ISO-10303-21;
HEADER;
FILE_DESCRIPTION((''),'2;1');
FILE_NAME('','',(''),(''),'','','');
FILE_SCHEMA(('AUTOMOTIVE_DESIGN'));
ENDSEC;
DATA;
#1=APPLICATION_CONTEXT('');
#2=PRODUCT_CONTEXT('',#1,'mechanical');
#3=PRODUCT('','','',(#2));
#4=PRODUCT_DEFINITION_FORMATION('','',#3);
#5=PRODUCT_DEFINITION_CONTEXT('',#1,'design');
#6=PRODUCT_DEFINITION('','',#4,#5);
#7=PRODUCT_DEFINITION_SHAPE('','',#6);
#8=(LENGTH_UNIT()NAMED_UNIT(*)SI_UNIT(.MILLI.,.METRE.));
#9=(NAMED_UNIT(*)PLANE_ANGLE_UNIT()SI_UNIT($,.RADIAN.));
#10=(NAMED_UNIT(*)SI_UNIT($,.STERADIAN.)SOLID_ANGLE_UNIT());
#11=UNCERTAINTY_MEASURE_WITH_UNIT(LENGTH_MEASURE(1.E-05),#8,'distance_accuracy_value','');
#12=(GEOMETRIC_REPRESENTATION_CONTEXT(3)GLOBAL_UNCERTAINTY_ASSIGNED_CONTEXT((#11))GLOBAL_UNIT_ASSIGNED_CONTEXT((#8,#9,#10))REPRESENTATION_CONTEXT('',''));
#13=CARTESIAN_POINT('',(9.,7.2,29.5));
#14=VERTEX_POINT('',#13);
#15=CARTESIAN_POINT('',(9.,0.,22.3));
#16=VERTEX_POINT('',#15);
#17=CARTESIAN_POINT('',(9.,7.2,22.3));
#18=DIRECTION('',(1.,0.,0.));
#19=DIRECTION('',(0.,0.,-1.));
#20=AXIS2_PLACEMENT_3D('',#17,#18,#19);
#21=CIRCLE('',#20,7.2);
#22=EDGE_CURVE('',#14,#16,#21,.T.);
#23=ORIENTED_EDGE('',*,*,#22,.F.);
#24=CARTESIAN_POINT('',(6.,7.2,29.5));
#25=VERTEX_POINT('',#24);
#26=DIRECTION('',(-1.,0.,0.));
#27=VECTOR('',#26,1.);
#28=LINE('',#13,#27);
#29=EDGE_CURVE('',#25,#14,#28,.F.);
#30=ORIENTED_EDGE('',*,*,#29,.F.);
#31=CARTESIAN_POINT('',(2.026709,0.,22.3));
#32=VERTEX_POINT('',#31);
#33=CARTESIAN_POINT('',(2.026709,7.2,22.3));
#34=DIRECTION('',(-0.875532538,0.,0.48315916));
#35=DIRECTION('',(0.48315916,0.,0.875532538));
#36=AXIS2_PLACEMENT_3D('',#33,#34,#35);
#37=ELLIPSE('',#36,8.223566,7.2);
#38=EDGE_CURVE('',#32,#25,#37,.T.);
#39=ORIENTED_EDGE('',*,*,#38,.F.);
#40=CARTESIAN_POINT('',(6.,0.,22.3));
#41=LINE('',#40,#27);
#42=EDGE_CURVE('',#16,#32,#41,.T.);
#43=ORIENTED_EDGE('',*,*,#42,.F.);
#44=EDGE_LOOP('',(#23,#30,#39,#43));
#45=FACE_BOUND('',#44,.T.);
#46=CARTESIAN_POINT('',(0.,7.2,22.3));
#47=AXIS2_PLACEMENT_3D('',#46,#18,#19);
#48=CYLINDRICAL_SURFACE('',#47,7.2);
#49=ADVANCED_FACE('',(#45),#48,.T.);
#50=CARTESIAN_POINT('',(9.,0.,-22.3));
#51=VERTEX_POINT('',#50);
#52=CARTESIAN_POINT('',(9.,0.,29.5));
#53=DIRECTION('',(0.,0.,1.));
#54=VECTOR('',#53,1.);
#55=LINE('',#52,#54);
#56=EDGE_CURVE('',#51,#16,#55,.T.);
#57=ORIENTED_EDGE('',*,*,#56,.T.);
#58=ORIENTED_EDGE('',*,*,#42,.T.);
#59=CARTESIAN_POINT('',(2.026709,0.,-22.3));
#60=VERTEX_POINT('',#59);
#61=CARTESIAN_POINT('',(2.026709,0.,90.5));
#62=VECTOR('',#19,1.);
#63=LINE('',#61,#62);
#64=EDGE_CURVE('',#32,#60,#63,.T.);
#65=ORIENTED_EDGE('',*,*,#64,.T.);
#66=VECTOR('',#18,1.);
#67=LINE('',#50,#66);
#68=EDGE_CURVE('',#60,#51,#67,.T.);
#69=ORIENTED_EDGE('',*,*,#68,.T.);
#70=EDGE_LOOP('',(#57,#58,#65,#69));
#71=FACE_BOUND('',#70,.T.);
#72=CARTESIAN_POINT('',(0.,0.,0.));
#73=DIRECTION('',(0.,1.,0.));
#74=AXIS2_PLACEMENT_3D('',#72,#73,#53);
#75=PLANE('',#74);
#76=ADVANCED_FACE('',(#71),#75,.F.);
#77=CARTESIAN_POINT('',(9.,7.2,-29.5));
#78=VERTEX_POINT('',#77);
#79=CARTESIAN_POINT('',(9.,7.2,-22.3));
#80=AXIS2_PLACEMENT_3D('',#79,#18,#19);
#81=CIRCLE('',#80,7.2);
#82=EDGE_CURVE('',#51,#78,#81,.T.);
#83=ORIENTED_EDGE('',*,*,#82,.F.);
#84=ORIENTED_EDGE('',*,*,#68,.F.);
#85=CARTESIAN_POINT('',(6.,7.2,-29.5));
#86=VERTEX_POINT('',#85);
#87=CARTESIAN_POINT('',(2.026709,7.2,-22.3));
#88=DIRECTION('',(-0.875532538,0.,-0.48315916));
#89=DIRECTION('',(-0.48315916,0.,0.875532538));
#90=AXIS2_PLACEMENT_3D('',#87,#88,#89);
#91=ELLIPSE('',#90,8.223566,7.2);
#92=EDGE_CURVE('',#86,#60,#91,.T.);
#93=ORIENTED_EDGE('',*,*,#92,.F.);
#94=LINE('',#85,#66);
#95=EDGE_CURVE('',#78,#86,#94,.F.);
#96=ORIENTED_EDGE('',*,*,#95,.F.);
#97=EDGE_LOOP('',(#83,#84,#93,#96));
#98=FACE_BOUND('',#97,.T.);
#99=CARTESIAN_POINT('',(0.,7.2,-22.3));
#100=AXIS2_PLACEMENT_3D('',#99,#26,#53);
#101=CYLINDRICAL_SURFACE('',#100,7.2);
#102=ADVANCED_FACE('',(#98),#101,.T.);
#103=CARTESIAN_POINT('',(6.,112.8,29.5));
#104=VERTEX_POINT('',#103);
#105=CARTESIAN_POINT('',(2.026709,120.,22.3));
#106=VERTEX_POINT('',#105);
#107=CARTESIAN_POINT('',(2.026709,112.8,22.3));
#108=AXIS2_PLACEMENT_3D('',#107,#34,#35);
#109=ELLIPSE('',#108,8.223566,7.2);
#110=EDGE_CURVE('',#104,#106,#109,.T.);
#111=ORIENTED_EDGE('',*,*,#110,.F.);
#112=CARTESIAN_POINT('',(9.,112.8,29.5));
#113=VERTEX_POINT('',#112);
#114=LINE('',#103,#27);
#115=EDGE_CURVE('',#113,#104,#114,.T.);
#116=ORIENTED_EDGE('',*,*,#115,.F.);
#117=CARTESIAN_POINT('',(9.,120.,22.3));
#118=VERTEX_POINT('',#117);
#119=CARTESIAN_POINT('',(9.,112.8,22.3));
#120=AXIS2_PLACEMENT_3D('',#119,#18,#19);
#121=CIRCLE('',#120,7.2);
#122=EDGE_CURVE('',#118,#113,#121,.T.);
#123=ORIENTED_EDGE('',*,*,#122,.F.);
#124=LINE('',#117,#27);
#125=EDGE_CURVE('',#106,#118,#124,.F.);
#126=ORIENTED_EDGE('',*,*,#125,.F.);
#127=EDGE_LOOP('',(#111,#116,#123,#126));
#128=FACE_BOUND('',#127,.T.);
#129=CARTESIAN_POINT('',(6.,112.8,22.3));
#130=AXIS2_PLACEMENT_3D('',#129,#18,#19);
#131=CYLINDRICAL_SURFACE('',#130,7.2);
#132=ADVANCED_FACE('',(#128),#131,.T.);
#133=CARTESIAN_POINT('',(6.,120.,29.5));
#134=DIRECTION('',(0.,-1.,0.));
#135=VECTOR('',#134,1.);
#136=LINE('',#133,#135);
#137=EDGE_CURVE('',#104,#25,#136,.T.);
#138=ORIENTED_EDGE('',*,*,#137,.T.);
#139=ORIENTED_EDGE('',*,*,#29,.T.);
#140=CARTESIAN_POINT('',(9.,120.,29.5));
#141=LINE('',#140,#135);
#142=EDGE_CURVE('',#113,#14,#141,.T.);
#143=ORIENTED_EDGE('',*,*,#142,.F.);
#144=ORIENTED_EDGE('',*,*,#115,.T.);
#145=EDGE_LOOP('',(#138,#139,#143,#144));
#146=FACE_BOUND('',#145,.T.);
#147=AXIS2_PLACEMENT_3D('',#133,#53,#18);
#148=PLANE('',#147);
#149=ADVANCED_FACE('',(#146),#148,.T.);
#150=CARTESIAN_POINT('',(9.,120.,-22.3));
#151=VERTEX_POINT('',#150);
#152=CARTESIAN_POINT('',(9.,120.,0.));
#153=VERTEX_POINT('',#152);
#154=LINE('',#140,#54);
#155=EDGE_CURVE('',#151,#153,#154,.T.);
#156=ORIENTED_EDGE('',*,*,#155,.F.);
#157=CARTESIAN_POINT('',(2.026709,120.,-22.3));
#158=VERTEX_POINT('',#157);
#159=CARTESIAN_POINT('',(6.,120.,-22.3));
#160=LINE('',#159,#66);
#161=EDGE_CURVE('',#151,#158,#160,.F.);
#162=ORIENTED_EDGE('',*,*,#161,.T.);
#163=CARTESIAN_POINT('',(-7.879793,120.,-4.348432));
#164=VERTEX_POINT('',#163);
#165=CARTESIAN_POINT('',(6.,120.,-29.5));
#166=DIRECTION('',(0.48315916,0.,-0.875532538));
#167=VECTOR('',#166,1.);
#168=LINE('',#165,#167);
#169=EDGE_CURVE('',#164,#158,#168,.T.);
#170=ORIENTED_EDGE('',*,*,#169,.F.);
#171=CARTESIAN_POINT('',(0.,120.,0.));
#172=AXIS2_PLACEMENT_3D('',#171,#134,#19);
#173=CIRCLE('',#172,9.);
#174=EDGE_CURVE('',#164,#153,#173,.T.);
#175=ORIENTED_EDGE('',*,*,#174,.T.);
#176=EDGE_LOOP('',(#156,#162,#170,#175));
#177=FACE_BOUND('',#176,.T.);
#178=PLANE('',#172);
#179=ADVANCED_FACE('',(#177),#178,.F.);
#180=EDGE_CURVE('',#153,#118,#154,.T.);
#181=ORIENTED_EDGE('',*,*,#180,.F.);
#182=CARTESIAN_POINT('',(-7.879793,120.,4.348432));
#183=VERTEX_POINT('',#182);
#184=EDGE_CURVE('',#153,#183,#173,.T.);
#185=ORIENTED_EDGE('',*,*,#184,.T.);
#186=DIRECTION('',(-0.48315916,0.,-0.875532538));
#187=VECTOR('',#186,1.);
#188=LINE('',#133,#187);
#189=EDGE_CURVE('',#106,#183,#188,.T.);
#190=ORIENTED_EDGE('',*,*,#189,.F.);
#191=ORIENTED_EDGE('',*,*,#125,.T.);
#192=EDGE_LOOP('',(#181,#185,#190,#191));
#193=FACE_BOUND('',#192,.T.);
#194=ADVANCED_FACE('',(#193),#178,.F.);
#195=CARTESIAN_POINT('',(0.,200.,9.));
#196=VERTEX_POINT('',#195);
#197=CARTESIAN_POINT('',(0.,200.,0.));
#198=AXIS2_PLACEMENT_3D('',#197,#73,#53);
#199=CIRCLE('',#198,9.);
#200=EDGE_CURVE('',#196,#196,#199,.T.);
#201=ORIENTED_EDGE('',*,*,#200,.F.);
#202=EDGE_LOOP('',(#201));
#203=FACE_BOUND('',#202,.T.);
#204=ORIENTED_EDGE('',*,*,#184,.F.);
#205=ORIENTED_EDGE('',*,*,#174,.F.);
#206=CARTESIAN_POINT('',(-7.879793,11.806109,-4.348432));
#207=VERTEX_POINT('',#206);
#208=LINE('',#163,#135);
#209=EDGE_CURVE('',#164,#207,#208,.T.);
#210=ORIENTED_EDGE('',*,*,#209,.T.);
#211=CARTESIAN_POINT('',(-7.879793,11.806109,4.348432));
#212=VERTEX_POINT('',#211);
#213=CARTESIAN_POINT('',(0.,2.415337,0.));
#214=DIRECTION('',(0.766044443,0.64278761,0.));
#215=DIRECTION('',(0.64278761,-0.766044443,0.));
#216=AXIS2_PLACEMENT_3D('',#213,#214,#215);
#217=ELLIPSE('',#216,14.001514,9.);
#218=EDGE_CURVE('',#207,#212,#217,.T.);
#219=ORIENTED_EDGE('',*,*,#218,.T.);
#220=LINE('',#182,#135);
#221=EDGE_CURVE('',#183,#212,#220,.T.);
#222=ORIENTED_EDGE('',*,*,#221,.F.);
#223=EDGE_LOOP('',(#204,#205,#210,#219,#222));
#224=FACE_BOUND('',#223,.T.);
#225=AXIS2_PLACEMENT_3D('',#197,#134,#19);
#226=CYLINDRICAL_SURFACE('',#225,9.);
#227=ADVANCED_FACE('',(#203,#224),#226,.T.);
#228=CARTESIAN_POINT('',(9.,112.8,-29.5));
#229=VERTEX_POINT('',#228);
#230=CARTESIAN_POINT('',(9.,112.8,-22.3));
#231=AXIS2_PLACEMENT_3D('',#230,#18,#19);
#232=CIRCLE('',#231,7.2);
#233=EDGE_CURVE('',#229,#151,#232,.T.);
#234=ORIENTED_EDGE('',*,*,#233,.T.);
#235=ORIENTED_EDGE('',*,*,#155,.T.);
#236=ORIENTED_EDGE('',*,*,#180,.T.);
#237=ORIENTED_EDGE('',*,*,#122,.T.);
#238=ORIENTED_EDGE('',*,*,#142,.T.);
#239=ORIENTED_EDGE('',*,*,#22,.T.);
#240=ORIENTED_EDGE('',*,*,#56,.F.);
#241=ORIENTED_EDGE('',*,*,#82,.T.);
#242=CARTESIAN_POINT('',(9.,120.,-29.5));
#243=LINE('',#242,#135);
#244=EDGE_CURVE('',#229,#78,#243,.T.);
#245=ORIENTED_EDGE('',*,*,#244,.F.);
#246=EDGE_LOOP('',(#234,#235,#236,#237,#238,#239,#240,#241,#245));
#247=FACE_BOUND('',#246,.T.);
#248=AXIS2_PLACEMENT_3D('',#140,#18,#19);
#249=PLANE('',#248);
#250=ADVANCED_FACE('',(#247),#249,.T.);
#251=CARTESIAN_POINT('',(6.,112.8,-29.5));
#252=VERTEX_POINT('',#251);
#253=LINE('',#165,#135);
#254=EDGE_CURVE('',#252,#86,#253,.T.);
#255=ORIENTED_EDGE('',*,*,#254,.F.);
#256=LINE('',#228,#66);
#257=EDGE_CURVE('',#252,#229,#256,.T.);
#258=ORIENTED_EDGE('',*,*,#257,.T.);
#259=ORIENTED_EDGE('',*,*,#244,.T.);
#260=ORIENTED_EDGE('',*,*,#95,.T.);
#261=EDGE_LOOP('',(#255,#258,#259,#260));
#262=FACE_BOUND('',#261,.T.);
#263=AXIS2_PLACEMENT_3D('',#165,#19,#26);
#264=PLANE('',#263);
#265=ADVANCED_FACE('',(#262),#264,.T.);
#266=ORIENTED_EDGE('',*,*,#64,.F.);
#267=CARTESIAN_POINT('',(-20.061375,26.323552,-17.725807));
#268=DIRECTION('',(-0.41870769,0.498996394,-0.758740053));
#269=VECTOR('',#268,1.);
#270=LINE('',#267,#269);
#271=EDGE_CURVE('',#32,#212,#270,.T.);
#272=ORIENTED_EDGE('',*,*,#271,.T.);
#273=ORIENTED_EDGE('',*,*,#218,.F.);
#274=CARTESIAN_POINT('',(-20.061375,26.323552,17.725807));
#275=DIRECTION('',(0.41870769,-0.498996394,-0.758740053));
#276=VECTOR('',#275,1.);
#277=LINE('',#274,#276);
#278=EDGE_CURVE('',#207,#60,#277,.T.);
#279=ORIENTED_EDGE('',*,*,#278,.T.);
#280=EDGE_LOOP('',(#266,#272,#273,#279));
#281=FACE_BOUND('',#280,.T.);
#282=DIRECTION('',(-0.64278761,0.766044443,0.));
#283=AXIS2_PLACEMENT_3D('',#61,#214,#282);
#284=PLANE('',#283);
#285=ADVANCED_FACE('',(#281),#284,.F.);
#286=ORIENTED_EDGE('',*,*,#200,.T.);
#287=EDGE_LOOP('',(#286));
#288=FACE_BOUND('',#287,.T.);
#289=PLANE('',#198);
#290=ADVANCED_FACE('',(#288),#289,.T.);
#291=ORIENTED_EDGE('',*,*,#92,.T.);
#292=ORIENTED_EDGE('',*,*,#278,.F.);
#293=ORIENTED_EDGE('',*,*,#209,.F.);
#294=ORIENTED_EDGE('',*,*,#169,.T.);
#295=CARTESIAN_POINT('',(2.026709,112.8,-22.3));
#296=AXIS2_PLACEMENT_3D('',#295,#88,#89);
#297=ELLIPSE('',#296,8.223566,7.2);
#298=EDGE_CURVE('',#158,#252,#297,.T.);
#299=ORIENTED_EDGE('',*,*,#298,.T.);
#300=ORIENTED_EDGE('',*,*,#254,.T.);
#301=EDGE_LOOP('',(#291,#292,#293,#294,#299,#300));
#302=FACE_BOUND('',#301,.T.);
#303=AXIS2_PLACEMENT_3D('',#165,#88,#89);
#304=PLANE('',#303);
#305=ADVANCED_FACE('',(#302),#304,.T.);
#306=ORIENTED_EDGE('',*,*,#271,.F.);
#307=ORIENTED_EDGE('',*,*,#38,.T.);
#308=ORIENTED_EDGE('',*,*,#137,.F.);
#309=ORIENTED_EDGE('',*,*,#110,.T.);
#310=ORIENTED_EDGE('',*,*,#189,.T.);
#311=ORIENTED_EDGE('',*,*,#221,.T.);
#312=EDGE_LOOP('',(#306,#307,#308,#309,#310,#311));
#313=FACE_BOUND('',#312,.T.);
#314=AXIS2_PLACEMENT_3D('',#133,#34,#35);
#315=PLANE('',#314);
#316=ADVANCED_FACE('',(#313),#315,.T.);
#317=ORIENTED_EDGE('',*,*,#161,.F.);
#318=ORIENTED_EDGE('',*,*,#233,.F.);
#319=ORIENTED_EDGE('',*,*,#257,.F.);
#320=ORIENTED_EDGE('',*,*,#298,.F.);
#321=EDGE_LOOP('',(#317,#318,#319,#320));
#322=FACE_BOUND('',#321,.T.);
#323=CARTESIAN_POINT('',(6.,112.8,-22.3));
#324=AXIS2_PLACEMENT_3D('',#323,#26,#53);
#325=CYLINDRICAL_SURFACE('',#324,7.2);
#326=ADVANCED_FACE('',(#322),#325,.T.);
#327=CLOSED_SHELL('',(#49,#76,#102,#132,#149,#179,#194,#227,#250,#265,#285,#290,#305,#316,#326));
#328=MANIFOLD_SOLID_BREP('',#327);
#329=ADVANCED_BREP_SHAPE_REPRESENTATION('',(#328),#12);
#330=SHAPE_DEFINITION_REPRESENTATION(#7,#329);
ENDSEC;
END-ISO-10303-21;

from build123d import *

# Parameters (mm, degrees)
CROQUIS1_R              = 9
SALIENTE_EXTRUIR1_DEPTH = 200
SALIENTE_EXTRUIR2_DEPTH = 120
REDONDEO1_R             = 7.2
CORTAR_EXTRUIR1_DEPTH   = 120


with BuildPart() as part:
    # Croquis1 → Saliente-Extruir1 (new body)
    with BuildSketch(Plane(origin=(0, 0, 0), x_dir=(1, 0, 0), z_dir=(0, 1, 0))):
        Circle(CROQUIS1_R)
    extrude(amount=SALIENTE_EXTRUIR1_DEPTH)

    # Croquis2 → Saliente-Extruir2 (add)
    with BuildSketch(Plane.XZ):
        with BuildLine():
            Line((6, 29.5), (-7.879793, 4.348432))
            ThreePointArc((-7.879793, 4.348432), (-9, 0), (-7.879793, -4.348432))
            Line((-7.879793, -4.348432), (6, -29.5))
            Line((6, -29.5), (9, -29.5))
            Line((9, -29.5), (9, 29.5))
            Line((9, 29.5), (6, 29.5))
        make_face()
    extrude(amount=-SALIENTE_EXTRUIR2_DEPTH)

    # Redondeo1
    redondeo1_edges = [part.edges().sort_by_distance(p)[0] for p in [
        (7.5, 0, 29.5),
        (7.5, 120, 29.5),
        (7.5, 120, -29.5),
        (7.5, 0, -29.5),
    ]]
    fillet(redondeo1_edges, radius=REDONDEO1_R)

    # Croquis3 → Cortar-Extruir1 (cut)
    with BuildSketch(Plane(origin=(0, 0, -29.5), x_dir=(-1, 0, 0), z_dir=(0, 0, -1))):
        Polygon((-2.026709, 0), (10.656807, 15.115625), (12.907476, -4.543474), align=None)
    extrude(amount=-CORTAR_EXTRUIR1_DEPTH, mode=Mode.SUBTRACT)


solid = part.part
